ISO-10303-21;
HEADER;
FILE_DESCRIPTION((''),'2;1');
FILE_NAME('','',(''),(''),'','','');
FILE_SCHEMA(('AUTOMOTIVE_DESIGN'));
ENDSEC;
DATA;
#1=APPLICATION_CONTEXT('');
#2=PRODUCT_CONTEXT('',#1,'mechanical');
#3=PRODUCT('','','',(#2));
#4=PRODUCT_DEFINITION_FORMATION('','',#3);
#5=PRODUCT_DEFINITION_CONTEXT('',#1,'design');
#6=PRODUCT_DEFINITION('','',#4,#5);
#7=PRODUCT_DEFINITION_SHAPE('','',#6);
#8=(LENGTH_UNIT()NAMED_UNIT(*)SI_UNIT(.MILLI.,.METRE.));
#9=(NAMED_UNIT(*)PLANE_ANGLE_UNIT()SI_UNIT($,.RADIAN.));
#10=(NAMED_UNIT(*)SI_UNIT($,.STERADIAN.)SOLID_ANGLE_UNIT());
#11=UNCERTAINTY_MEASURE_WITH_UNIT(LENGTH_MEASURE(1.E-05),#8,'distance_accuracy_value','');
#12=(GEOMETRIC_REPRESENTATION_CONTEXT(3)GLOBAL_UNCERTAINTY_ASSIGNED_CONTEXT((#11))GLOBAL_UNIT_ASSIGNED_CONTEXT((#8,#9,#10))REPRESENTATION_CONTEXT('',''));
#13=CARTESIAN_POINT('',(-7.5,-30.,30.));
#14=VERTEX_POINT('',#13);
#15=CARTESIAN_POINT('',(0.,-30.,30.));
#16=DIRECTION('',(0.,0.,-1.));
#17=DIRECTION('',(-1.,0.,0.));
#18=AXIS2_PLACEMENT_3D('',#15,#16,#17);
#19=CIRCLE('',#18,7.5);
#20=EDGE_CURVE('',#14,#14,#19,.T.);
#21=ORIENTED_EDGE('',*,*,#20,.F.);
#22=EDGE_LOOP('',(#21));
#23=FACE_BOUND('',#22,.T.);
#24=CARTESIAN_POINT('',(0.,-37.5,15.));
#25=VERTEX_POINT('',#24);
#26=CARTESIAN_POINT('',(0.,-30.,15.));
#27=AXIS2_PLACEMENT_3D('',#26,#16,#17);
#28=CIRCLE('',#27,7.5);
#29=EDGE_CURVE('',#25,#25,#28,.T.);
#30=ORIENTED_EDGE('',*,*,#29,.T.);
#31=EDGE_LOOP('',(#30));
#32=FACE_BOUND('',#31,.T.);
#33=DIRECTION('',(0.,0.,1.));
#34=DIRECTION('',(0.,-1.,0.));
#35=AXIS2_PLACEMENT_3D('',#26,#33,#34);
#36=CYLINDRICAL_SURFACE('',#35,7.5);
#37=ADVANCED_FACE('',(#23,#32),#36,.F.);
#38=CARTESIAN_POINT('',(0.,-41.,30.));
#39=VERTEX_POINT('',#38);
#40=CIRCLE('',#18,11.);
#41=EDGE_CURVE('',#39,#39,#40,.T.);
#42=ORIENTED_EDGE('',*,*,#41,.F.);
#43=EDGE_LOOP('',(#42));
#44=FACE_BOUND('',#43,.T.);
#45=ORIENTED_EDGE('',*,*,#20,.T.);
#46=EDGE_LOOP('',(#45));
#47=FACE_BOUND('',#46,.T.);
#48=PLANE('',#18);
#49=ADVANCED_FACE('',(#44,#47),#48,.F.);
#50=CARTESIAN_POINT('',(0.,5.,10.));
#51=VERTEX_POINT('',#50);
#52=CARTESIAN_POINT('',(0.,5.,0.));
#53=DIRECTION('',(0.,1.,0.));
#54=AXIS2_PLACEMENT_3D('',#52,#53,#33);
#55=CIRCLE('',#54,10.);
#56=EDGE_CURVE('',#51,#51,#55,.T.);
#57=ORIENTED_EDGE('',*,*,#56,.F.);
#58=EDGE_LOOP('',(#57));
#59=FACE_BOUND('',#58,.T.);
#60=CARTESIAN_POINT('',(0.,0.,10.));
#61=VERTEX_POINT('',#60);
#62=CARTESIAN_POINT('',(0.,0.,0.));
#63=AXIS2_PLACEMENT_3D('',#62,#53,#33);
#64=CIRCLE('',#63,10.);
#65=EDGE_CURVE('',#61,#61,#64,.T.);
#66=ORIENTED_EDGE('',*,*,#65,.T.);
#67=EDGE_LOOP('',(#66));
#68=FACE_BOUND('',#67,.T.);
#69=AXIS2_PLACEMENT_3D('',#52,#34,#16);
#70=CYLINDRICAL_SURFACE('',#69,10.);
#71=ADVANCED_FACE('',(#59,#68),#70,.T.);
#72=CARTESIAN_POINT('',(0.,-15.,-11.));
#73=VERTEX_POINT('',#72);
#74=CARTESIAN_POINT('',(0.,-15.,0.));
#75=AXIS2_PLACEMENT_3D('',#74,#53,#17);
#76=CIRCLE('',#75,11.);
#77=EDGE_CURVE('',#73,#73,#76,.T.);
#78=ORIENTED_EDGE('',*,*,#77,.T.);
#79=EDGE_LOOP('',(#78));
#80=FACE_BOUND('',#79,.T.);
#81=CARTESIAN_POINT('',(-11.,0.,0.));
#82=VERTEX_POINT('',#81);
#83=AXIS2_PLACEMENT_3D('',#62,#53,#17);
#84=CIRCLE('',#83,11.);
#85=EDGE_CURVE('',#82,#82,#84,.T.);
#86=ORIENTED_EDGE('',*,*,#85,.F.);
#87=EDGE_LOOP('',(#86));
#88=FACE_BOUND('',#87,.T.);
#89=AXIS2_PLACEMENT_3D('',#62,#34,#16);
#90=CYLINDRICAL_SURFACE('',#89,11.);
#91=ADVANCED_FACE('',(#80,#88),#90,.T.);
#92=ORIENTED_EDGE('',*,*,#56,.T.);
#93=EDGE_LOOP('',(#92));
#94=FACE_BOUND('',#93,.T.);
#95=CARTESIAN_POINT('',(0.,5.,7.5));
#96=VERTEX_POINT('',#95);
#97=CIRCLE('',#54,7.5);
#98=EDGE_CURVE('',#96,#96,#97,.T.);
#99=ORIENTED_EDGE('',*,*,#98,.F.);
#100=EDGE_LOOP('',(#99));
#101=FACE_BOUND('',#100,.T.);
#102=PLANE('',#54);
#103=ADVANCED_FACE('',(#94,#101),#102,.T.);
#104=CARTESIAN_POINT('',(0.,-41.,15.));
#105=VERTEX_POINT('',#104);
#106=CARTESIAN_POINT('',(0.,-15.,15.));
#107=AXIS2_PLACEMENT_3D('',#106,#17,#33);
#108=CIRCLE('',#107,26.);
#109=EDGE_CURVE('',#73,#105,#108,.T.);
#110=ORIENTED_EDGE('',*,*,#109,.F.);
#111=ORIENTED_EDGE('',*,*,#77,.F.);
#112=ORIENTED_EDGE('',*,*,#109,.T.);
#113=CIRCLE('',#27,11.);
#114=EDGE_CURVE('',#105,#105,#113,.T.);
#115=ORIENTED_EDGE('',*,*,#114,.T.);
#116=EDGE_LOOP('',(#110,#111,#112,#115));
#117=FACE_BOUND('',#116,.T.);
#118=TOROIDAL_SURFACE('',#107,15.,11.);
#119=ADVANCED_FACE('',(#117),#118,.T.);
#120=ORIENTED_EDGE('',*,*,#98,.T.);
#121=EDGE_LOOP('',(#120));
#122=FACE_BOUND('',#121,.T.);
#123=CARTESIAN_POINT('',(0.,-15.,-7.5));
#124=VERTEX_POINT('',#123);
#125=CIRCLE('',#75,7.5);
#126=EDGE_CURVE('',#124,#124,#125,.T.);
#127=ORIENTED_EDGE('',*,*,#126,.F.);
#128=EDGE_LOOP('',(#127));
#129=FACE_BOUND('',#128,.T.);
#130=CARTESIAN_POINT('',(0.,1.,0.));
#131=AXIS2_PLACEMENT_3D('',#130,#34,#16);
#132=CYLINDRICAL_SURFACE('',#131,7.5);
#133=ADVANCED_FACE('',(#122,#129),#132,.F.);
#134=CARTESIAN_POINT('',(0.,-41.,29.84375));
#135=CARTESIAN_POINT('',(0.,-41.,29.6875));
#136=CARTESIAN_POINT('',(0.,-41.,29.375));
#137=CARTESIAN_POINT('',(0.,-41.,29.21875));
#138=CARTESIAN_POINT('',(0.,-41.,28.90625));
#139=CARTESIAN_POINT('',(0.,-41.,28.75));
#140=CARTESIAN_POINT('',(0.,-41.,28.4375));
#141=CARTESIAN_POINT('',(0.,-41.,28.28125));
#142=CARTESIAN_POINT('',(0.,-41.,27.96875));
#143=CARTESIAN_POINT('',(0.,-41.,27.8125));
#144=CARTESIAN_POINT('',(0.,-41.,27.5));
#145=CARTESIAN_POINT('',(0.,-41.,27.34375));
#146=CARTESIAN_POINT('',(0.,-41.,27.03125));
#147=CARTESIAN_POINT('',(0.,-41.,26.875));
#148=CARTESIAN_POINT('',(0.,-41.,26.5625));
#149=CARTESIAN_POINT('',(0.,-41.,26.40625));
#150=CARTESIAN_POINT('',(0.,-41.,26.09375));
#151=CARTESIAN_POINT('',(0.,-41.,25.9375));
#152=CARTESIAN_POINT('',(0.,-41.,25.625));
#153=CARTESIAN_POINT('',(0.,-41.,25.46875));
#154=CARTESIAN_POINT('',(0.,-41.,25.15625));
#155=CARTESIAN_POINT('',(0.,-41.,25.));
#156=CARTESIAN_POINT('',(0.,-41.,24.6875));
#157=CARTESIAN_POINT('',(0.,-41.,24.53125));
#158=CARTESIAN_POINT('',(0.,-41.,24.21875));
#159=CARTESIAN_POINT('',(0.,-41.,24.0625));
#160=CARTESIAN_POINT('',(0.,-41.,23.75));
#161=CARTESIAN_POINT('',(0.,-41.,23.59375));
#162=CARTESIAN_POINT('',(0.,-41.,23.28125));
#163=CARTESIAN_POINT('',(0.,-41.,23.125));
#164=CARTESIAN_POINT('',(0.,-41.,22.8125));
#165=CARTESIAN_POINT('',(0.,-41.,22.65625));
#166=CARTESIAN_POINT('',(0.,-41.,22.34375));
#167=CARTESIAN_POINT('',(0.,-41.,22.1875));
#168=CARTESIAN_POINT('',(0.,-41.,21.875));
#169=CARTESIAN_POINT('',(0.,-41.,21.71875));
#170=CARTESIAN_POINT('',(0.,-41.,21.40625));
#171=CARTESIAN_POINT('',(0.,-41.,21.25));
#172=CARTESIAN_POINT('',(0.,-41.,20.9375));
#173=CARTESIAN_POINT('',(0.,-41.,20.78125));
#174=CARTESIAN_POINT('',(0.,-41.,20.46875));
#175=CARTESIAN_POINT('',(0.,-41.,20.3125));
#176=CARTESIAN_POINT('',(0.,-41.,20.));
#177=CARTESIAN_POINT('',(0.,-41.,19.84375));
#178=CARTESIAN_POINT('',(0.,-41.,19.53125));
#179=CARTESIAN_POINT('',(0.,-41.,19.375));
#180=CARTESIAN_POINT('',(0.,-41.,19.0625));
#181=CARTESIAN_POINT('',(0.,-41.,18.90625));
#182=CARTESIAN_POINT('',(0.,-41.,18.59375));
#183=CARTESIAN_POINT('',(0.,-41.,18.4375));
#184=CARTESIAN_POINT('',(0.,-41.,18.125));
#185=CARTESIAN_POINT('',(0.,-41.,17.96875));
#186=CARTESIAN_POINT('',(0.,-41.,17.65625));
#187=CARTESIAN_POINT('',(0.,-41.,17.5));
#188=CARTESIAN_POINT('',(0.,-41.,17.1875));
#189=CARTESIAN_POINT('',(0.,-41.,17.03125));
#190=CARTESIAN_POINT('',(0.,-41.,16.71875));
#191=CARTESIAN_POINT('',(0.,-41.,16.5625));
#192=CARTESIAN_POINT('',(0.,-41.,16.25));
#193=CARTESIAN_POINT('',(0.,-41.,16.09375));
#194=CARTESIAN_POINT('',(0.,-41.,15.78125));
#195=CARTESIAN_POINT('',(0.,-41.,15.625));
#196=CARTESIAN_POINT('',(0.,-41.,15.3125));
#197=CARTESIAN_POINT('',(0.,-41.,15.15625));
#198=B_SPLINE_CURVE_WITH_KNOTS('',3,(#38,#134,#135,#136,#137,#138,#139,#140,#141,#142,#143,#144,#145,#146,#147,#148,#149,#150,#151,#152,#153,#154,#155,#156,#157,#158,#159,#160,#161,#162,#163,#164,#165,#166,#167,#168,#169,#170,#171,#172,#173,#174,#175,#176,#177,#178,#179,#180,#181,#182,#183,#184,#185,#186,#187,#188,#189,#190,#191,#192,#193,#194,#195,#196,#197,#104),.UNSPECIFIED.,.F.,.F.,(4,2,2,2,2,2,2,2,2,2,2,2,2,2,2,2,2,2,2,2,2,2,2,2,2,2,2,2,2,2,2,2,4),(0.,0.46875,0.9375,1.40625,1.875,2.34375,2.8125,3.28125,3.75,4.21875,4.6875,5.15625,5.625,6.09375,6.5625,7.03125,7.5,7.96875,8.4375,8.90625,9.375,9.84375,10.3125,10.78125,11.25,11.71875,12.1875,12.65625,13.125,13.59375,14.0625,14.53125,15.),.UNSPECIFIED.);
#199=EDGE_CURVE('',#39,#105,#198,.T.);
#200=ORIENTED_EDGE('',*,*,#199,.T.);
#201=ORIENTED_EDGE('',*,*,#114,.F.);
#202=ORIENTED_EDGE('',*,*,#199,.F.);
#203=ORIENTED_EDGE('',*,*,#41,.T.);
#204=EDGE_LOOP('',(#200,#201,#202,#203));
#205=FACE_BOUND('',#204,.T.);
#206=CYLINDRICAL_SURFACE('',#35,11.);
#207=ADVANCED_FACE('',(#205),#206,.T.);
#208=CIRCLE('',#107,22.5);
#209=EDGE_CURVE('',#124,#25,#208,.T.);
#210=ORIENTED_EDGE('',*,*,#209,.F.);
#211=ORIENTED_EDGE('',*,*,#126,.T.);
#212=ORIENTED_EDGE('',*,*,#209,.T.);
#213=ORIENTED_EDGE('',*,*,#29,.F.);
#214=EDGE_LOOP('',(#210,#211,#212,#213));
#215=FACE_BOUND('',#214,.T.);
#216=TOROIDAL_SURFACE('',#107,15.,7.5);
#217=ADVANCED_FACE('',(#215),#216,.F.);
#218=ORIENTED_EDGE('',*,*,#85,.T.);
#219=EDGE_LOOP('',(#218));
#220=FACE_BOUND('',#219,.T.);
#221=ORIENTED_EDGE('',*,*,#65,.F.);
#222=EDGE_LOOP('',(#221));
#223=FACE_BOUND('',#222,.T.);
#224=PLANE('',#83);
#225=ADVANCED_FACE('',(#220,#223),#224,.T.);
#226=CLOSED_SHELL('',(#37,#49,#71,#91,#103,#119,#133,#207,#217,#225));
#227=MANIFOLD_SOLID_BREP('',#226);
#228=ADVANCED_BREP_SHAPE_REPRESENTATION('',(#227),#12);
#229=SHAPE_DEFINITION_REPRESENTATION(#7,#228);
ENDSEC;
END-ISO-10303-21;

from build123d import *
from build123d.topology import SkipClean

# Parameters (mm, degrees)
SWEEP1_PROFILE_R     = 11
CUT_SWEEP1_PROFILE_R = 7.5
SKETCH34_R           = 10
SKETCH34_R_2         = 7.5
BOSS_EXTRUDE1_DEPTH  = 5


with BuildPart() as part:
    # Sweep1: sweep along a path in Sketch1
    with BuildLine(Plane(origin=(0, 0, 0), x_dir=(0, 0, -1), z_dir=(1, 0, 0))) as sweep1_path:
        Line((0, 0), (0, -15))
        ThreePointArc((0, -15), (-4.393398282, -25.606601718), (-15, -30))
        Line((-15, -30), (-30, -30))
    # Sweep1 profile (on start of the path) → Sweep1 (sweep)
    with BuildSketch(Plane(origin=(0, 0, 0), x_dir=(0, 0, -1), z_dir=(0, -1, 0))):
        Circle(SWEEP1_PROFILE_R)
    sweep(path=sweep1_path.line)

    # Cut-Sweep1: sweep along a path in Sketch1<2>
    with BuildLine(Plane(origin=(0, 0, 0), x_dir=(0, 0, -1), z_dir=(1, 0, 0))) as cut_sweep1_path:
        Line((0, 0), (0, -15))
        ThreePointArc((0, -15), (-4.393398282, -25.606601718), (-15, -30))
        Line((-15, -30), (-30, -30))
    # Cut-Sweep1 profile (on start of the path) → Cut-Sweep1 (sweep, cut)
    with BuildSketch(Plane(origin=(0, 0, 0), x_dir=(0, 0, -1), z_dir=(0, -1, 0))):
        Circle(CUT_SWEEP1_PROFILE_R)
    sweep(path=cut_sweep1_path.line, mode=Mode.SUBTRACT)

    # Sketch34 → Boss-Extrude1 (add)
    with SkipClean():  # the faces are left unmerged after this step: merging them gives an invalid solid
        with BuildSketch(Plane(origin=(0, 0, 0), x_dir=(1, 0, 0), z_dir=(0, 1, 0))):
            Circle(SKETCH34_R)
            Circle(SKETCH34_R_2, mode=Mode.SUBTRACT)
        extrude(amount=BOSS_EXTRUDE1_DEPTH)


solid = part.part
